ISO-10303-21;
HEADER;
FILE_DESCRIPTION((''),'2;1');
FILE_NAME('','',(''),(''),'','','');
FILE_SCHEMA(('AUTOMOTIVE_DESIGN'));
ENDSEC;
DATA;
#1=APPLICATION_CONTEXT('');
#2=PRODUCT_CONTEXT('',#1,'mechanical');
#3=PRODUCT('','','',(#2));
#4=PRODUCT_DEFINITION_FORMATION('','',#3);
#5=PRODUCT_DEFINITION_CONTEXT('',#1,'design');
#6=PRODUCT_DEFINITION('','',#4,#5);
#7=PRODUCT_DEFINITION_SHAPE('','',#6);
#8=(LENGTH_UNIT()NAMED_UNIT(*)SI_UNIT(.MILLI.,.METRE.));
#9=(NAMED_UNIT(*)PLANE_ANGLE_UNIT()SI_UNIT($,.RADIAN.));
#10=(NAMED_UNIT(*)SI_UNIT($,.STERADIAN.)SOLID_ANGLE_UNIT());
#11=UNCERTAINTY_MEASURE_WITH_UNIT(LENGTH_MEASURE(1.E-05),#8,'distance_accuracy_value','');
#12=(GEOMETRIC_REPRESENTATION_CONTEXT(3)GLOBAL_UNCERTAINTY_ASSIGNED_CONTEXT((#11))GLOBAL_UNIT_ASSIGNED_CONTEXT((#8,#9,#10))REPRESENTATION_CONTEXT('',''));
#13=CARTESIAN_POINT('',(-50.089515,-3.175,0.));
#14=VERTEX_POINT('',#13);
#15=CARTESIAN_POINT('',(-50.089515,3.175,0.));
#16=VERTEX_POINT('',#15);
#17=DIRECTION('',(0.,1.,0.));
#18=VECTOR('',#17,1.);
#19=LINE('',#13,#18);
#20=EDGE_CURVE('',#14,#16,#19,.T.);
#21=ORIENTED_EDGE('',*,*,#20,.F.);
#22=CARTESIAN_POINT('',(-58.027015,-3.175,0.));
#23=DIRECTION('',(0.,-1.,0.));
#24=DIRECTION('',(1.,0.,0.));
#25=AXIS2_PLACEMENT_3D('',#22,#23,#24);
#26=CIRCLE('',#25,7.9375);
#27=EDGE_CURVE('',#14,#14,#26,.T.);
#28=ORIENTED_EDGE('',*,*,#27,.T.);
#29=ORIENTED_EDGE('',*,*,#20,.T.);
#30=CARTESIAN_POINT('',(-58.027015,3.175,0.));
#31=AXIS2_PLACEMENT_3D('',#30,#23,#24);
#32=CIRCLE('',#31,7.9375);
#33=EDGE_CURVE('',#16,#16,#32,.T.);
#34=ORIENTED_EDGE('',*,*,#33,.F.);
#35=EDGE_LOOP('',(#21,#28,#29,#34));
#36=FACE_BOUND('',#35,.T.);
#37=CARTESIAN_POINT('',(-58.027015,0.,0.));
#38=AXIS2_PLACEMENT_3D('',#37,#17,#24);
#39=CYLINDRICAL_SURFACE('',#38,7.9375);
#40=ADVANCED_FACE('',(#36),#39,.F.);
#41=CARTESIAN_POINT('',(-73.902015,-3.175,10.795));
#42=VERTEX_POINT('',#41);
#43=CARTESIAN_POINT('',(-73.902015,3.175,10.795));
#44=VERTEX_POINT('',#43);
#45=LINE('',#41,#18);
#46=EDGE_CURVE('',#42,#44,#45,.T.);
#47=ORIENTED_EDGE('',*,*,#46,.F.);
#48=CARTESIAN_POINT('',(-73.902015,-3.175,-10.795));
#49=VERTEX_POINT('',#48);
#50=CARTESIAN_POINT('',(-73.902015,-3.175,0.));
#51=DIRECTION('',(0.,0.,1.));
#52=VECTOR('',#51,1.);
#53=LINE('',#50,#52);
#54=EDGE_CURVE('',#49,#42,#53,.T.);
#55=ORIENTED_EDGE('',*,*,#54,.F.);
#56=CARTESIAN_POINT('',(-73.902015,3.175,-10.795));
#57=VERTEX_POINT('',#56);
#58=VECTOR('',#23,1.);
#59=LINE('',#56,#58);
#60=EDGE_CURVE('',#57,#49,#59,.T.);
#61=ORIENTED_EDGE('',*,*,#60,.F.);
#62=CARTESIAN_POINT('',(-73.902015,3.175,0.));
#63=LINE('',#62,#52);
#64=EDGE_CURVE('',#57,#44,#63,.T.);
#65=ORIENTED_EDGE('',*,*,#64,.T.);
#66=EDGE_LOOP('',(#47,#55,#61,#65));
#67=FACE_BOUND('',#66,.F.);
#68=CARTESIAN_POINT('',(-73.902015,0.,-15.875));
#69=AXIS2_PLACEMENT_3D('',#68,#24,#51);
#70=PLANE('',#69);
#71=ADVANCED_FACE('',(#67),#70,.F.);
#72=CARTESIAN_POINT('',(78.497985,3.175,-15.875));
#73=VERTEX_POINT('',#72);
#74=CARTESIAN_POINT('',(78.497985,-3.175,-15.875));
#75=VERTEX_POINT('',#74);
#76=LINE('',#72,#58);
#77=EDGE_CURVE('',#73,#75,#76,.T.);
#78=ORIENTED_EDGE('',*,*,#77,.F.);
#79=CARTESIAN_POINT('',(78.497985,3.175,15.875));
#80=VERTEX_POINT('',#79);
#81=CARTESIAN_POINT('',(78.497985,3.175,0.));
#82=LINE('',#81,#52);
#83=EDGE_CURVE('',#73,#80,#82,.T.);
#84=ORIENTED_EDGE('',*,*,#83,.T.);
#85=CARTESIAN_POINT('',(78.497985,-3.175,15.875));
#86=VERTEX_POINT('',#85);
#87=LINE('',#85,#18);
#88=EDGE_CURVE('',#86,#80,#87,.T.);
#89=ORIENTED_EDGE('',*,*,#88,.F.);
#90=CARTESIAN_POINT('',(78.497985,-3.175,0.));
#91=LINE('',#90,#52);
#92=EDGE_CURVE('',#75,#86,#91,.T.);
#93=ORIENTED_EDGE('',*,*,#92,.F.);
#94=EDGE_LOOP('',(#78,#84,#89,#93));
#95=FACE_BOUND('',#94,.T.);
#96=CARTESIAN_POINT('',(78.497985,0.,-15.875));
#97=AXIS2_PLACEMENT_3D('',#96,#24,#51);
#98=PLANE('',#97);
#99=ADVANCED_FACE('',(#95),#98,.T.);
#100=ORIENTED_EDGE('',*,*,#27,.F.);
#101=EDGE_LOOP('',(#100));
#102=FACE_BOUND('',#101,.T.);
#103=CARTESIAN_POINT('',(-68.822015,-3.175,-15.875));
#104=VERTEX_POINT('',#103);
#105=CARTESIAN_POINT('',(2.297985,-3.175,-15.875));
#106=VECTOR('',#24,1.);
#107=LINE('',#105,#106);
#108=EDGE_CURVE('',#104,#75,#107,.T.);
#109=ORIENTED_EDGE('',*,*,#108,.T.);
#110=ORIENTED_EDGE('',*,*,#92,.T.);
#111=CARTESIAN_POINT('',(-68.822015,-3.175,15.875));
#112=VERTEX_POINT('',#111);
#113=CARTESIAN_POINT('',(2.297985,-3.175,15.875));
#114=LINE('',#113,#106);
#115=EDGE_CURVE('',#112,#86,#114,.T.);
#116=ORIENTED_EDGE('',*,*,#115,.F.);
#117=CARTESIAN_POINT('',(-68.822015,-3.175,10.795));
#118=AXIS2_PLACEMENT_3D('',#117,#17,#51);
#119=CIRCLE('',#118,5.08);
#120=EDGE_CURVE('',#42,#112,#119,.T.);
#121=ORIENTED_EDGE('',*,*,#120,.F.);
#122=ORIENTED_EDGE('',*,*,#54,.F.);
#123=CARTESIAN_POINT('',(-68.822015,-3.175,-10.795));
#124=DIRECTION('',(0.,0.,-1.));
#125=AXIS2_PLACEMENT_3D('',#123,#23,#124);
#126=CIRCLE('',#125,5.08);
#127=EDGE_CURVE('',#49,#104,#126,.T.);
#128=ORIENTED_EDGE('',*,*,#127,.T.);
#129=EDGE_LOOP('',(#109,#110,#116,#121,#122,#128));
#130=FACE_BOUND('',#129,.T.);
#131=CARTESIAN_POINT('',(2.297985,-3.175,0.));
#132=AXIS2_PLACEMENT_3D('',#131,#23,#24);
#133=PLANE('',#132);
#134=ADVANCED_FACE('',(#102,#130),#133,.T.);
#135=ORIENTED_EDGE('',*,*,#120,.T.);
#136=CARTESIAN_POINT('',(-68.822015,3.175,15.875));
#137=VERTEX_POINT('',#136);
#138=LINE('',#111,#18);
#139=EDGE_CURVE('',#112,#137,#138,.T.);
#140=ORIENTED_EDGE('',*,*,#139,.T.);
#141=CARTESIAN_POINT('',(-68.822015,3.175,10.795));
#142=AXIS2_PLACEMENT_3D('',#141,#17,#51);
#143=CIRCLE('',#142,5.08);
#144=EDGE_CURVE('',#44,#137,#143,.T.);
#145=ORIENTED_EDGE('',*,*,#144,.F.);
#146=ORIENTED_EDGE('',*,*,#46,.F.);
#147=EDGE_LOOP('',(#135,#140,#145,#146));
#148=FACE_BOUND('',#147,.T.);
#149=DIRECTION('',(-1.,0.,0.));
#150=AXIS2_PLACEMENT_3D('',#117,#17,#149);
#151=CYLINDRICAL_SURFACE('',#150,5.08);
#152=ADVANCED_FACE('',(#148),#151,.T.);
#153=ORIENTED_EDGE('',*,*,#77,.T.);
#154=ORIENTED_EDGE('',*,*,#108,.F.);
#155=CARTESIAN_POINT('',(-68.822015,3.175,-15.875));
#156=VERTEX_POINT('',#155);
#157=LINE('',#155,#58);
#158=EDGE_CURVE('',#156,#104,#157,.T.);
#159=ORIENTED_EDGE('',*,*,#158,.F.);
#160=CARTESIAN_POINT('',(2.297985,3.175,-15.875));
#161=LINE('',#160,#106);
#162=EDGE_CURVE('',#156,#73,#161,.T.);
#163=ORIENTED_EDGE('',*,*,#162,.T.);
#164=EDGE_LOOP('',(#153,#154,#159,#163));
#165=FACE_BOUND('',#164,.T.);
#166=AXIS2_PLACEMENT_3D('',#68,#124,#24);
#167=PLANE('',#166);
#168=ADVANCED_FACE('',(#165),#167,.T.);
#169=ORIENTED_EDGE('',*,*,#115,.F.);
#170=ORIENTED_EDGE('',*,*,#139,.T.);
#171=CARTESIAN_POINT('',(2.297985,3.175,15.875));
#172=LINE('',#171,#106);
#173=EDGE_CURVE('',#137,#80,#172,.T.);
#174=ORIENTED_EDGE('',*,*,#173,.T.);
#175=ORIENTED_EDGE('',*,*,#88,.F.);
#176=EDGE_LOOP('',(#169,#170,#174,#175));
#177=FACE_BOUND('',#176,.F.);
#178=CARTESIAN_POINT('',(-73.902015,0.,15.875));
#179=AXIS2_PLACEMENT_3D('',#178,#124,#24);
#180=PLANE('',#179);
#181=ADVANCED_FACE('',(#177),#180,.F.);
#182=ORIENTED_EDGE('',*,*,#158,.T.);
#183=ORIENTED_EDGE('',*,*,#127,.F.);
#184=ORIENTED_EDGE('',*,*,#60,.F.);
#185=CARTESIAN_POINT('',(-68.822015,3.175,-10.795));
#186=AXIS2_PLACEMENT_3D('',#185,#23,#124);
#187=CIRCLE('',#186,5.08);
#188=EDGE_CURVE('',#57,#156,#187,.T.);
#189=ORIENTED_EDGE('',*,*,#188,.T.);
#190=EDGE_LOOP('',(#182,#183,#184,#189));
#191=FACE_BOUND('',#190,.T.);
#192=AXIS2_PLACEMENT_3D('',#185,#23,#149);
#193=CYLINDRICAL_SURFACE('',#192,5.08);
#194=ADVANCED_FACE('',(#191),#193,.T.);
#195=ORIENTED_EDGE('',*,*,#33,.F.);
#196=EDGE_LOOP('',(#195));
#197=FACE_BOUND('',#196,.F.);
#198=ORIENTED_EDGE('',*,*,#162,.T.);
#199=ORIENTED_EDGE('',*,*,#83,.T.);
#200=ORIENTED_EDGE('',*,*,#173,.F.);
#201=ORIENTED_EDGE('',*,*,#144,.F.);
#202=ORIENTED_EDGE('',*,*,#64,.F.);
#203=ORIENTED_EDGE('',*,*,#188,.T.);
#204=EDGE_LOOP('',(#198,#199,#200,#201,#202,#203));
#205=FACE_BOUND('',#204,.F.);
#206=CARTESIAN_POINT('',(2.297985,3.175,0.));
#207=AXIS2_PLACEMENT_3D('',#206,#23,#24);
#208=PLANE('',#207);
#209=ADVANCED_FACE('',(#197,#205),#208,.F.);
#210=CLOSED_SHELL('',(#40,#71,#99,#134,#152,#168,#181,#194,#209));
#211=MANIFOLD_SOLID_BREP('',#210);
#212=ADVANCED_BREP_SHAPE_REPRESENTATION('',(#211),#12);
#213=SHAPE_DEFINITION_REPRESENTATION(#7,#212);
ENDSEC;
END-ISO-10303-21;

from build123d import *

# Parameters (mm, degrees)
F0_W     = 152.4
F0_H     = 31.75
F0_R     = 7.9375
F1_DEPTH = 3.175
F2_R     = 5.08


with BuildPart() as f1:
    # F0 (on Front) → F1 (new body, symmetric)
    with BuildSketch(Plane.XZ):
        with Locations((2.297985, 0)):
            Rectangle(F0_W, F0_H)
        with Locations((-58.027015, 0)):
            Circle(F0_R, mode=Mode.SUBTRACT)
    extrude(amount=F1_DEPTH, both=True)

    # F2
    f2_edges = [f1.edges().sort_by_distance(p)[0] for p in [
        (-73.902015, 0, 15.875),
        (-73.902015, 0, -15.875),
    ]]
    fillet(f2_edges, radius=F2_R)


solid = f1.part
